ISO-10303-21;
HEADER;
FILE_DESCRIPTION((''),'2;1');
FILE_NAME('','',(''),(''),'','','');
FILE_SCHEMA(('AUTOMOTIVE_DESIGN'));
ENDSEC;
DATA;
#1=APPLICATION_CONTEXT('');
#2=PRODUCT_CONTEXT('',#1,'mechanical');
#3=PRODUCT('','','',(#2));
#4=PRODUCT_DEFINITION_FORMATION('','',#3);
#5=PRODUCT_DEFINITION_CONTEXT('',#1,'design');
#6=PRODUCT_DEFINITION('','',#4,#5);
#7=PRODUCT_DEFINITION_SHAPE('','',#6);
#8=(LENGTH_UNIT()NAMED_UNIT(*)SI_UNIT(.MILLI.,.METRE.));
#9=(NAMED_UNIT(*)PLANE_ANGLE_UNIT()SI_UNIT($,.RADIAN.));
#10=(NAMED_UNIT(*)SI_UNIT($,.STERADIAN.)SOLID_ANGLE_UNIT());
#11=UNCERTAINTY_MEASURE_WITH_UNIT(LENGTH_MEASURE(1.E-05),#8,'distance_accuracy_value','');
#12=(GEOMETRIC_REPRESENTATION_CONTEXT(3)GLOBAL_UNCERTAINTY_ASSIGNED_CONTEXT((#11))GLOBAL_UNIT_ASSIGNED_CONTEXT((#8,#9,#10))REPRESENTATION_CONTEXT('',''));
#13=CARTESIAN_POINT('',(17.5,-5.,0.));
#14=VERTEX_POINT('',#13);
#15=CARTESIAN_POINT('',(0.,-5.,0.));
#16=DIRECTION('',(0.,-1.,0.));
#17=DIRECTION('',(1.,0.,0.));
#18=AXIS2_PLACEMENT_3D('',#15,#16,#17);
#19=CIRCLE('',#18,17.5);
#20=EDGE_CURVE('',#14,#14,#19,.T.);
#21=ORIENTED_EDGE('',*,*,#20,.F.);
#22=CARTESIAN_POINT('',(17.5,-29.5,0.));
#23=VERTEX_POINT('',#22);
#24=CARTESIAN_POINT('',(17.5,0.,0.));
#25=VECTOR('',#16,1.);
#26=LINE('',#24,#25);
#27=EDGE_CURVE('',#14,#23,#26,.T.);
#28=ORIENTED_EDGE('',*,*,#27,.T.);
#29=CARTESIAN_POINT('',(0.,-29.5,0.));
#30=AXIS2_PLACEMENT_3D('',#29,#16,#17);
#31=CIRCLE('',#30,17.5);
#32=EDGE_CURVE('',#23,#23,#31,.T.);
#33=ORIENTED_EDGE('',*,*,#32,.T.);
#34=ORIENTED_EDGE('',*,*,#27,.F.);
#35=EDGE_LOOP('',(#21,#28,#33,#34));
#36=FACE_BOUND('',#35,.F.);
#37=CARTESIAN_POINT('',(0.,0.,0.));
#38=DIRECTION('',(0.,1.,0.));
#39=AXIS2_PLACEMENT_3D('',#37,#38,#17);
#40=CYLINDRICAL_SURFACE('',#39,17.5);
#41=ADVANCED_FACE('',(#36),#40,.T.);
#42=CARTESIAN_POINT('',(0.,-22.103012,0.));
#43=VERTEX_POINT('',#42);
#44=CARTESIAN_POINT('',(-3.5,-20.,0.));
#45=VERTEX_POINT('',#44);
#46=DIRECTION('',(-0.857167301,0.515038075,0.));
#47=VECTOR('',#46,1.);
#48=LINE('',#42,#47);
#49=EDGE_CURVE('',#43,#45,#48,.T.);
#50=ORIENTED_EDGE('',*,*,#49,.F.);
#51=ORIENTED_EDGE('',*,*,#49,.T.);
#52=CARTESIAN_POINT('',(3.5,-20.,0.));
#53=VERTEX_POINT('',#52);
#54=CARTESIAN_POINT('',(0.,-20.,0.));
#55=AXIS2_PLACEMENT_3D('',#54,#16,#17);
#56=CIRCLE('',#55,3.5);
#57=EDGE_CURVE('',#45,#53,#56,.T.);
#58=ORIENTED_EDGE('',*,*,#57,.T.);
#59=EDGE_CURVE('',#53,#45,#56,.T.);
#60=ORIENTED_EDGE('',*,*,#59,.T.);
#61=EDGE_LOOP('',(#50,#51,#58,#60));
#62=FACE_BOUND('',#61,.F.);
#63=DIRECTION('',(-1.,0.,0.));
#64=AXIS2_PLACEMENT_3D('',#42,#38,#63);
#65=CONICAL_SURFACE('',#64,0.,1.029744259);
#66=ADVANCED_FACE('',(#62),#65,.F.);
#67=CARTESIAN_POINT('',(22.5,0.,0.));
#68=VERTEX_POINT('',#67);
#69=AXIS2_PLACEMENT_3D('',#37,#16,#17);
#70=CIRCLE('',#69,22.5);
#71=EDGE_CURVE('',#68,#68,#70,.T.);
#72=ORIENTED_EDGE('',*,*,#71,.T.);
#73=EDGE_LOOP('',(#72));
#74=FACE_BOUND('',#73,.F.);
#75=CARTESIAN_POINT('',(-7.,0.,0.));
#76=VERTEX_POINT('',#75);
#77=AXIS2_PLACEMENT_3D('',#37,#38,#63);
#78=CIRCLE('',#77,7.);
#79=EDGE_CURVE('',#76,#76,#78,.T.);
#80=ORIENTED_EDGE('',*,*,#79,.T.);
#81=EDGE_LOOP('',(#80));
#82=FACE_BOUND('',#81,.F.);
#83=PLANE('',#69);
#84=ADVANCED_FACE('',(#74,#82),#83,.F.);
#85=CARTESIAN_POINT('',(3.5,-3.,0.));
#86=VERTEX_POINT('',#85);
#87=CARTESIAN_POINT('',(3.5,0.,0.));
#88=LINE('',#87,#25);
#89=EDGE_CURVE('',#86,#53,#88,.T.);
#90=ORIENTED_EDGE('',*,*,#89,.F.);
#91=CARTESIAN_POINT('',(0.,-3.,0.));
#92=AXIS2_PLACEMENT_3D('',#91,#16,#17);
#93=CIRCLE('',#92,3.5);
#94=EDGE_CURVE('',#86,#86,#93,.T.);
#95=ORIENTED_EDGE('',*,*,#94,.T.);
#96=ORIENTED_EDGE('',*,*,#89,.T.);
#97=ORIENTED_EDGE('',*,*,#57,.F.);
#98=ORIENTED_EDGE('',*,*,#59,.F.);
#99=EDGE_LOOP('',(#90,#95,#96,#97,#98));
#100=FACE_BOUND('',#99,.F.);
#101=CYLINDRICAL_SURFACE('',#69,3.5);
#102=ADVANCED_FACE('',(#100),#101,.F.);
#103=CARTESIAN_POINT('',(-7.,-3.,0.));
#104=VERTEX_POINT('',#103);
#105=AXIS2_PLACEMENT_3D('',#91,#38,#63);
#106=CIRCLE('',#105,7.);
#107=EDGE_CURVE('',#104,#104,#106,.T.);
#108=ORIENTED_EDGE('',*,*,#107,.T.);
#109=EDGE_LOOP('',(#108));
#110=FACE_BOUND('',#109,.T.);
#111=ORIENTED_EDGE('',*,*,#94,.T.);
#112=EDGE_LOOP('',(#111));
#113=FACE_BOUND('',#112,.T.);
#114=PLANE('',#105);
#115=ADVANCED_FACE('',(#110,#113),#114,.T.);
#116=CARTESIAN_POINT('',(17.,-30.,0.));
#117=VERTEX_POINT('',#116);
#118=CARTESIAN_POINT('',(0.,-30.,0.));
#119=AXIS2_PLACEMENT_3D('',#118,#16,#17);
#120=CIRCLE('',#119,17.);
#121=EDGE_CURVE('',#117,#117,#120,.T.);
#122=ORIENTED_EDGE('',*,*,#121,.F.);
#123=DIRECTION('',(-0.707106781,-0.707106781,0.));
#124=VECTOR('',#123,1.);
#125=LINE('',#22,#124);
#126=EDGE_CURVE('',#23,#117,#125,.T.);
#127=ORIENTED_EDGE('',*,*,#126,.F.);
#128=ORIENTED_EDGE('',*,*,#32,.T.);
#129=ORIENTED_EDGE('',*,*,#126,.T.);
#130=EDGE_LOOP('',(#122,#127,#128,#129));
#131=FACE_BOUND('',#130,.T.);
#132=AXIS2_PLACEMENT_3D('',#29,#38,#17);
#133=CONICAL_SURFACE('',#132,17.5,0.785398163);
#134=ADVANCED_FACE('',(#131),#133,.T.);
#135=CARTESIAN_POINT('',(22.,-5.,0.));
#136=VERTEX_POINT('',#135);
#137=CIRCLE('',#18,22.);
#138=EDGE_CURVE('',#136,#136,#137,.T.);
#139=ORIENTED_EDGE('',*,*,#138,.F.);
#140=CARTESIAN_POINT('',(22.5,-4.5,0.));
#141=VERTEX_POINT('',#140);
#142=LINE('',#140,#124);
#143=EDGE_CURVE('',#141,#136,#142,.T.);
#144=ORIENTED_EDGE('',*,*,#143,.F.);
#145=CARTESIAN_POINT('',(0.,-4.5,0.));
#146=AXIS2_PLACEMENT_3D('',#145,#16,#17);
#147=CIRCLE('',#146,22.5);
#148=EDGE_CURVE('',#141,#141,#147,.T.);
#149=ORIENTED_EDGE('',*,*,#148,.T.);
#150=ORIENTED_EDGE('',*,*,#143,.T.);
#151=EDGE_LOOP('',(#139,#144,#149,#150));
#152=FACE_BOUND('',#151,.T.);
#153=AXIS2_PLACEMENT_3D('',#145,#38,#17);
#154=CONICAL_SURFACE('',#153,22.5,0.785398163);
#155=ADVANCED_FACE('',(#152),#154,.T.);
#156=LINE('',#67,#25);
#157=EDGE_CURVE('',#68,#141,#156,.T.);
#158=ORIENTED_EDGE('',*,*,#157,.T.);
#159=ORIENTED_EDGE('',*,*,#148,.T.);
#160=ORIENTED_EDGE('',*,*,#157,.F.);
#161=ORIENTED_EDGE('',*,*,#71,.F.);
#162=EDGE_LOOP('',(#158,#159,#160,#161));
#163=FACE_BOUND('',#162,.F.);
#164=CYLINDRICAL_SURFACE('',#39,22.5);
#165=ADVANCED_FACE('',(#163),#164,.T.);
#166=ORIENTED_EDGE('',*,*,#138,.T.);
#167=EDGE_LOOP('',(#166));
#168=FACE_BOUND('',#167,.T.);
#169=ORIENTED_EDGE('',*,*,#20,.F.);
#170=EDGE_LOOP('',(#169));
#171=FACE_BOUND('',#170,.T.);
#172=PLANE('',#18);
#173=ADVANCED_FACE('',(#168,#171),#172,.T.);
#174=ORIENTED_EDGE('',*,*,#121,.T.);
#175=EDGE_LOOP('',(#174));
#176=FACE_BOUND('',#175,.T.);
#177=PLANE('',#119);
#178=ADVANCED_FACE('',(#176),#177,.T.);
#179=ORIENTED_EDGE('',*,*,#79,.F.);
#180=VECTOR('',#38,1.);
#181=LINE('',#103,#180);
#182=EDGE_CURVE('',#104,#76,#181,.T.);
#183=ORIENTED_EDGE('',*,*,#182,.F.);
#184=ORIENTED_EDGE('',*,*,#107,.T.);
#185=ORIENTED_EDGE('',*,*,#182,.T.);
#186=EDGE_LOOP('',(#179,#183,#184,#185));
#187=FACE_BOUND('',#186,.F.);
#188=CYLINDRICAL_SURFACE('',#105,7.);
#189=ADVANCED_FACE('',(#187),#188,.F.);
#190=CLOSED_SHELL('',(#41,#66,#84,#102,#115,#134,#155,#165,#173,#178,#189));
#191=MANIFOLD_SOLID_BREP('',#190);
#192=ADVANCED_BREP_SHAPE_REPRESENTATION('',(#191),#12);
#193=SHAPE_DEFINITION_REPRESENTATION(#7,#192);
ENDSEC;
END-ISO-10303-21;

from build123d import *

# Parameters (mm, degrees)
F0_R           = 17.5
F1_DEPTH       = 30
F0_R_2         = 22.5
F2_DEPTH       = 5
F4_D           = 7
F4_DEPTH       = 20
F4_CBORE_D     = 14
F4_CBORE_DEPTH = 3
F4_TIP         = 2.1030121666
F5_SIZE        = 0.5


with BuildPart() as f1:
    # F0 (on Front) → F1 (new body)
    with BuildSketch(Plane.XZ):
        Circle(F0_R)
    extrude(amount=F1_DEPTH)

    # F0 (on Front) → F2 (join)
    with BuildSketch(Plane.XZ):
        Circle(F0_R_2)
        Circle(F0_R, mode=Mode.SUBTRACT)
    extrude(amount=F2_DEPTH)

    # F4
    with Locations(Plane(origin=(0, 0, 0), x_dir=(-1, 0, 0), z_dir=(0, 1, 0))):
        with Locations((0, 0)):
            CounterBoreHole(F4_D / 2, F4_CBORE_D / 2, F4_CBORE_DEPTH, depth=F4_DEPTH)
            with Locations((0, 0, -(F4_DEPTH + F4_TIP / 2))):  # 118° drill point
                Cone(0, F4_D / 2, F4_TIP, mode=Mode.SUBTRACT)

    # F5
    f5_edges = [f1.edges().sort_by_distance(p)[0] for p in [
        (-17.5, -30, 0),
        (-22.5, -5, 0),
    ]]
    chamfer(f5_edges, length=F5_SIZE)


solid = f1.part
